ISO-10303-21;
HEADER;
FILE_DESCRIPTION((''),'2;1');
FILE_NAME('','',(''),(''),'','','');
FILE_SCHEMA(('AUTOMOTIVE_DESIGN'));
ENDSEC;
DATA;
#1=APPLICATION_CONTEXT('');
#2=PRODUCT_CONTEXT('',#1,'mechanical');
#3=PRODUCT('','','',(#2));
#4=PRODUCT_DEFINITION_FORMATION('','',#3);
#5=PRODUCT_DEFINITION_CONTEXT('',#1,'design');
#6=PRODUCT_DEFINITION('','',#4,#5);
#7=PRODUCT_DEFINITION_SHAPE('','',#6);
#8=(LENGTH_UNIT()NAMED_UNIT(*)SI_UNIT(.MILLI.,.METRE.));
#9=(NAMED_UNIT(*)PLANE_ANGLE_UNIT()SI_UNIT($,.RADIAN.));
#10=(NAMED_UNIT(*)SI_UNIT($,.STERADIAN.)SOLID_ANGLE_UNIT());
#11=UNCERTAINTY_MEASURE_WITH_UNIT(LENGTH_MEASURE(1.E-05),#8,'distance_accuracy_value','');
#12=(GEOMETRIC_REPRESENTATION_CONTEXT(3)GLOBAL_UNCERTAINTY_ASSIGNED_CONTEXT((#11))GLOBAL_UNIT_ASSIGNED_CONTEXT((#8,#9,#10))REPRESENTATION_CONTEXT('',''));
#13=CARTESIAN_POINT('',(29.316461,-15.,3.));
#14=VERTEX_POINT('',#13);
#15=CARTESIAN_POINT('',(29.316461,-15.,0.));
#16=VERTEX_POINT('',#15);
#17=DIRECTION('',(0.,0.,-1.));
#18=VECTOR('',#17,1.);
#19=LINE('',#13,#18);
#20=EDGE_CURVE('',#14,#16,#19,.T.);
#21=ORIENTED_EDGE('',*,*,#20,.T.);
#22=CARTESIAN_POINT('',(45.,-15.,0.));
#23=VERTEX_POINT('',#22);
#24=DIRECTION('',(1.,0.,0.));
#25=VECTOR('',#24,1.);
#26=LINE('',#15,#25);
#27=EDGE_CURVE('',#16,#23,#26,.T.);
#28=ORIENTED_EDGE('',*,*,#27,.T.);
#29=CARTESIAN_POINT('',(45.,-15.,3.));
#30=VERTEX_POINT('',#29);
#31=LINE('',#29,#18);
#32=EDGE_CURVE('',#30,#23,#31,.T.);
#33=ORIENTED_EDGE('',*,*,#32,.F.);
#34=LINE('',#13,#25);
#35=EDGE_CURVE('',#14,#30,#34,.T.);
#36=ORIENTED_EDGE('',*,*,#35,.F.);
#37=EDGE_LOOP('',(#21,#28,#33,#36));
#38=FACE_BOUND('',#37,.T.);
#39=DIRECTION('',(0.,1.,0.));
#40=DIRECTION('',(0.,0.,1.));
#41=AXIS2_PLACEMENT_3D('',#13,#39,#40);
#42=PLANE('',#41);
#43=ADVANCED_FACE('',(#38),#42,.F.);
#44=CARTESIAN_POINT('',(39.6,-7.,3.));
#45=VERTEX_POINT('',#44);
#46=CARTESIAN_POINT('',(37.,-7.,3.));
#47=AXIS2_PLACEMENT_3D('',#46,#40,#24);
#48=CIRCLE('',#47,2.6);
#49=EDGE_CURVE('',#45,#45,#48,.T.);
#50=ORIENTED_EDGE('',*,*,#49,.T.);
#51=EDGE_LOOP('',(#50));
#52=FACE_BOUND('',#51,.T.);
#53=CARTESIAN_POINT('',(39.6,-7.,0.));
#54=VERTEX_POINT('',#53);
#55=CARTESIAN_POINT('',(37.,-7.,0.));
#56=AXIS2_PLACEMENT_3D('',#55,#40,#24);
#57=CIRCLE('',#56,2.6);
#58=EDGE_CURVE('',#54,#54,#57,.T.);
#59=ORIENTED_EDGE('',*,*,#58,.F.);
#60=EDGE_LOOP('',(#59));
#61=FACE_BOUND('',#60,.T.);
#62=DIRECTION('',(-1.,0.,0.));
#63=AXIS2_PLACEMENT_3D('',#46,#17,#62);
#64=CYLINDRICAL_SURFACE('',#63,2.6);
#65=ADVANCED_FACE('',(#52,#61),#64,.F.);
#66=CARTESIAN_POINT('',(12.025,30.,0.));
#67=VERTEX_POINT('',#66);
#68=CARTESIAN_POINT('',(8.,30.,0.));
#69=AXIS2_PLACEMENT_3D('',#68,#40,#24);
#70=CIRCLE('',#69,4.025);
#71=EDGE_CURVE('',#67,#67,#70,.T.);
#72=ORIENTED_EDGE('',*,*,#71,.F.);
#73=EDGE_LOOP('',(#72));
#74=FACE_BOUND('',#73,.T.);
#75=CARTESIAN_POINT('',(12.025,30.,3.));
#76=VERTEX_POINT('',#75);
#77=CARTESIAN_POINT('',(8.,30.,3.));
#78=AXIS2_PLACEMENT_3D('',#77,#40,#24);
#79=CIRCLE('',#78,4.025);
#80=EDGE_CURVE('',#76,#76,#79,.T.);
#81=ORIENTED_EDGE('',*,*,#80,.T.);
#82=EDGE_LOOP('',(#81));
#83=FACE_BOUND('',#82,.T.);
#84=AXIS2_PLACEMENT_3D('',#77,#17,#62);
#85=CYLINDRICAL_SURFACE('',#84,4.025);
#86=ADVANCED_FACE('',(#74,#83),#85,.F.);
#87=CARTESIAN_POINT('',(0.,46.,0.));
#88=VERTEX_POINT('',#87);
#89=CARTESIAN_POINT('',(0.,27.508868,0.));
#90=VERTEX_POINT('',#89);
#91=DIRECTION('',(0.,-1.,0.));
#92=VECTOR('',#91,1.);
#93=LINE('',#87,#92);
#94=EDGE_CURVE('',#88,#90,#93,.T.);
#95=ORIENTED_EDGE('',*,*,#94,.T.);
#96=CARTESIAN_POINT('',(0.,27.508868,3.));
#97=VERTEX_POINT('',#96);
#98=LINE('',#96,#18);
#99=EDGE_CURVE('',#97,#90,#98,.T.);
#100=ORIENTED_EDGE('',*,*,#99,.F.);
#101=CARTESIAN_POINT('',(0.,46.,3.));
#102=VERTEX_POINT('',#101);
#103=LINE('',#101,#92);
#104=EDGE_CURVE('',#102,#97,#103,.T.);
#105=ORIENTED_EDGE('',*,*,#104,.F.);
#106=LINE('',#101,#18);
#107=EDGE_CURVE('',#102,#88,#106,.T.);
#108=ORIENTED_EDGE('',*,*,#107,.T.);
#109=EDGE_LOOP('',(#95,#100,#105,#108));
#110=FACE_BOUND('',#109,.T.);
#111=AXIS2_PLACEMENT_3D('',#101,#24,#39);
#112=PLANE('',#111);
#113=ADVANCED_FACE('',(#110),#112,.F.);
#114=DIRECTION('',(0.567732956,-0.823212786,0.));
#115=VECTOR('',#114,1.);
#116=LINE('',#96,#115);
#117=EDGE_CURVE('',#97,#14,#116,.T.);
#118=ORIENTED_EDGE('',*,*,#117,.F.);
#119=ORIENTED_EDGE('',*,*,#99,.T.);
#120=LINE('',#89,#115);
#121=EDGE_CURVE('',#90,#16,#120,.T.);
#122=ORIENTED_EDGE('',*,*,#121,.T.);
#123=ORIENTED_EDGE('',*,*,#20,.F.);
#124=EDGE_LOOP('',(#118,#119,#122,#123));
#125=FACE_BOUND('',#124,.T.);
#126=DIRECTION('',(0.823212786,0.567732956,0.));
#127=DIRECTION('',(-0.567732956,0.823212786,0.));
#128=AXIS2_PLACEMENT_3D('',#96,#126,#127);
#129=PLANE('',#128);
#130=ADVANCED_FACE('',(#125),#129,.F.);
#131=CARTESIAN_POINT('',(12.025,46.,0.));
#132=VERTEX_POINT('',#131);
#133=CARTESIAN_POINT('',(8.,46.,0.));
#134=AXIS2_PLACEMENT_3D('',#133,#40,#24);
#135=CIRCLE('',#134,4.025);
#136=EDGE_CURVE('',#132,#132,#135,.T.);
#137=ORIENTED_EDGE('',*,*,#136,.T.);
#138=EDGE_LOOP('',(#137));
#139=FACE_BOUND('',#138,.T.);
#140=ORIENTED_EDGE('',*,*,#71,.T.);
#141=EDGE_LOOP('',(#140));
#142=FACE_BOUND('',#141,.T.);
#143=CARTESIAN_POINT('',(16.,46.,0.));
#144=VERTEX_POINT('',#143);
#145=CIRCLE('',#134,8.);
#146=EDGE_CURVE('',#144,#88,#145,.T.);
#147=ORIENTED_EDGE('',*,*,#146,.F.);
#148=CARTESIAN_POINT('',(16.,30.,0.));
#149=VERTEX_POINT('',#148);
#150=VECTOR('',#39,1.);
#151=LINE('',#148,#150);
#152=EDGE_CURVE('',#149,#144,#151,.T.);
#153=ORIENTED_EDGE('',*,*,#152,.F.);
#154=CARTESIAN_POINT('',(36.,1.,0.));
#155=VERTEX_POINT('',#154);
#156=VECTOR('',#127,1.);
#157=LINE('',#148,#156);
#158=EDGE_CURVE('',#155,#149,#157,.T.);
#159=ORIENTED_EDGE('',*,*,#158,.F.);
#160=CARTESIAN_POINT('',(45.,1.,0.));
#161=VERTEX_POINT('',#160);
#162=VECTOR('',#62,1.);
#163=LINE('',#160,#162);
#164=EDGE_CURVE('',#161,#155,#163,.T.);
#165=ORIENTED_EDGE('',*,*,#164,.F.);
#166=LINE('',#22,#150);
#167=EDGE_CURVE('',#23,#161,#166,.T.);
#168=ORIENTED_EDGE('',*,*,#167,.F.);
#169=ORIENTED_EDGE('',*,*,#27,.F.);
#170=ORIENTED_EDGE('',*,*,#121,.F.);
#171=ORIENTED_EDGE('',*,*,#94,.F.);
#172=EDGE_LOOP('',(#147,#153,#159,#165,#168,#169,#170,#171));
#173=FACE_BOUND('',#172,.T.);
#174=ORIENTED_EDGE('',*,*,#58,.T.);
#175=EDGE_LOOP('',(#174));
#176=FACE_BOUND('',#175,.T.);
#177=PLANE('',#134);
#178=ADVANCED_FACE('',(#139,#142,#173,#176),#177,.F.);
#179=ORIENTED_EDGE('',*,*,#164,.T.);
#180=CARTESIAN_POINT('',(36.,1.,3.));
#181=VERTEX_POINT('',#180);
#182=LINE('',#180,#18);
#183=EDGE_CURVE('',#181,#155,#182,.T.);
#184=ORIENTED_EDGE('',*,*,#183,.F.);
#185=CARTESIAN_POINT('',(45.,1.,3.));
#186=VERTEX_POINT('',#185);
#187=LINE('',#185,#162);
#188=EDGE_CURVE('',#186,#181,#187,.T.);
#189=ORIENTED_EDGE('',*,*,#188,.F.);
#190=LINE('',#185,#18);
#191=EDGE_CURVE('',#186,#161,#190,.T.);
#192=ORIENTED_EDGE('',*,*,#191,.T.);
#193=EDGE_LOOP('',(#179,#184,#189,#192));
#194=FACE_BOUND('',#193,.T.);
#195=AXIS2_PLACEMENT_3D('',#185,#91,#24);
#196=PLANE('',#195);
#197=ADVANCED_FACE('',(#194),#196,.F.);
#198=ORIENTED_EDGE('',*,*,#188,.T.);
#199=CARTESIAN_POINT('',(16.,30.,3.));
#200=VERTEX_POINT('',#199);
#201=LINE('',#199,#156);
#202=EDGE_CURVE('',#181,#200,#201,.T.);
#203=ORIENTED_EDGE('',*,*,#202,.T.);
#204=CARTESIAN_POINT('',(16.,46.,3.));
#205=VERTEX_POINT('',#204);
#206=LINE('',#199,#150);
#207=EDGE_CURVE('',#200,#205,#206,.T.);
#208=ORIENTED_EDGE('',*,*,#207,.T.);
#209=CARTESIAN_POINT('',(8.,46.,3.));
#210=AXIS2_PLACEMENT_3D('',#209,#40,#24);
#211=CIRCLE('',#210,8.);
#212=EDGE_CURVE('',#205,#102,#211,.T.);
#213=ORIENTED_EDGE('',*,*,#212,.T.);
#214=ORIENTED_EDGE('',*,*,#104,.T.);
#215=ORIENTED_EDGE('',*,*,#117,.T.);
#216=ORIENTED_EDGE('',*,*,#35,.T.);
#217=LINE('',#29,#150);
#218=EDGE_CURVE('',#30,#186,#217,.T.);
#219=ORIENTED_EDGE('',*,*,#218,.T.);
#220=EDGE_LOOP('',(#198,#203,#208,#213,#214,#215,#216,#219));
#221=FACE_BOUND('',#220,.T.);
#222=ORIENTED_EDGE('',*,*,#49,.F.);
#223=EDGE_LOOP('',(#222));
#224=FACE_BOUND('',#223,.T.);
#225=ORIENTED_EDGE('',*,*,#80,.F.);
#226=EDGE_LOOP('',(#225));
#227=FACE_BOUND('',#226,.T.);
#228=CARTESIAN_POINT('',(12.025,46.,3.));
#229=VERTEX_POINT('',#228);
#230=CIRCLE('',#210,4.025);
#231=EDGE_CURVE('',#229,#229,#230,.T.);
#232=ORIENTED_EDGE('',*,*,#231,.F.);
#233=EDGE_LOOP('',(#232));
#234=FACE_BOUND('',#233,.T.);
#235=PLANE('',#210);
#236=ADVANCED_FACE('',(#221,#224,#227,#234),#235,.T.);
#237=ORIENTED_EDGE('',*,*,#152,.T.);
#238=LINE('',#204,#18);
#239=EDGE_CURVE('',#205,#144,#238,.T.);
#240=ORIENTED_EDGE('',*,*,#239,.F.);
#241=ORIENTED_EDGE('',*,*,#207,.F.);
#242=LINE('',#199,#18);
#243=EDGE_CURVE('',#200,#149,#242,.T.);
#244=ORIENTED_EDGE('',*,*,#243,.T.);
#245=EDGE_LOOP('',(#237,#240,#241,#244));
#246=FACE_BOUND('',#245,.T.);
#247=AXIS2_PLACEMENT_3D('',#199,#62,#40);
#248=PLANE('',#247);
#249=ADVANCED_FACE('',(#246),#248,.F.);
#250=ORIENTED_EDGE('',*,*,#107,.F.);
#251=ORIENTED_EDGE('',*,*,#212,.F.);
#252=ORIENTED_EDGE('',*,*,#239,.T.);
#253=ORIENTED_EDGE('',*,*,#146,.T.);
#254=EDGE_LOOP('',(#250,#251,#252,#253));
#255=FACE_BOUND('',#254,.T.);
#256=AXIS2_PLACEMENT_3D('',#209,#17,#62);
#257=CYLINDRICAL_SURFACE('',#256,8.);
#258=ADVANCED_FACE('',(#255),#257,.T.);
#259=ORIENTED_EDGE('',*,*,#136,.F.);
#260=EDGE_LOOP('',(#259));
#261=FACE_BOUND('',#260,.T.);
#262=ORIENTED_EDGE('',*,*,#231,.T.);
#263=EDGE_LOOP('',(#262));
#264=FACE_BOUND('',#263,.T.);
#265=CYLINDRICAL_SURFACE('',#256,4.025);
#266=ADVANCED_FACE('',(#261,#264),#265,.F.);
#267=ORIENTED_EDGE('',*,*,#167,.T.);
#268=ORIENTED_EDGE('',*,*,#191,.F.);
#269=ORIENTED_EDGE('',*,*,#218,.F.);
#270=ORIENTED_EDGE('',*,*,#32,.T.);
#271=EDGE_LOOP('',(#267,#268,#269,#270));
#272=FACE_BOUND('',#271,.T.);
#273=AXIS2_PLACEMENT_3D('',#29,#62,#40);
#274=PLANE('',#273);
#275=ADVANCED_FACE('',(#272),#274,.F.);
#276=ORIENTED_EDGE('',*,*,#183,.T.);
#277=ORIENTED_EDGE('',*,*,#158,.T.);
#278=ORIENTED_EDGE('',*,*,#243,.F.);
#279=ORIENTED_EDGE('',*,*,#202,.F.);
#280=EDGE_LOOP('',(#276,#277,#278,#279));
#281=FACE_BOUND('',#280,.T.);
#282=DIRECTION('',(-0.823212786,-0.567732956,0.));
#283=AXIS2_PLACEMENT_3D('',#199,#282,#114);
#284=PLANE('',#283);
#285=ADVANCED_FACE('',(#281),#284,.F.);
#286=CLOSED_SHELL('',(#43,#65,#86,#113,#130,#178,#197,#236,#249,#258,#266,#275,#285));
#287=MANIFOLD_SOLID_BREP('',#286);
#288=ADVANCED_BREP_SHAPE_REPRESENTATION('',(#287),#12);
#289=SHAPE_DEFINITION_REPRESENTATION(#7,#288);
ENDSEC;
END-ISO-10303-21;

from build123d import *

# Parameters (mm, degrees)
SKETCH_1_R      = 2.6
SKETCH_1_R_2    = 4.025
EXTRUDE_1_DEPTH = 3


with BuildPart() as part:
    # ｽｹｯﾁ1 → ﾎﾞｽ - 押し出し1 (new body)
    with BuildSketch(Plane.XY):
        with BuildLine():
            Line((0, 46), (0, 27.508868037))
            Line((0, 27.508868037), (29.316460715, -15))
            Line((29.316460715, -15), (45, -15))
            Line((45, -15), (45, 1))
            Line((45, 1), (36, 1))
            Line((36, 1), (16, 30))
            Line((16, 30), (16, 46))
            ThreePointArc((16, 46), (8, 54), (0, 46))
        make_face()
        with Locations((37, -7)):
            Circle(SKETCH_1_R, mode=Mode.SUBTRACT)
        with Locations((8, 46)):
            Circle(SKETCH_1_R_2, mode=Mode.SUBTRACT)
        with Locations((8, 30)):
            Circle(SKETCH_1_R_2, mode=Mode.SUBTRACT)
    extrude(amount=EXTRUDE_1_DEPTH)


solid = part.part
